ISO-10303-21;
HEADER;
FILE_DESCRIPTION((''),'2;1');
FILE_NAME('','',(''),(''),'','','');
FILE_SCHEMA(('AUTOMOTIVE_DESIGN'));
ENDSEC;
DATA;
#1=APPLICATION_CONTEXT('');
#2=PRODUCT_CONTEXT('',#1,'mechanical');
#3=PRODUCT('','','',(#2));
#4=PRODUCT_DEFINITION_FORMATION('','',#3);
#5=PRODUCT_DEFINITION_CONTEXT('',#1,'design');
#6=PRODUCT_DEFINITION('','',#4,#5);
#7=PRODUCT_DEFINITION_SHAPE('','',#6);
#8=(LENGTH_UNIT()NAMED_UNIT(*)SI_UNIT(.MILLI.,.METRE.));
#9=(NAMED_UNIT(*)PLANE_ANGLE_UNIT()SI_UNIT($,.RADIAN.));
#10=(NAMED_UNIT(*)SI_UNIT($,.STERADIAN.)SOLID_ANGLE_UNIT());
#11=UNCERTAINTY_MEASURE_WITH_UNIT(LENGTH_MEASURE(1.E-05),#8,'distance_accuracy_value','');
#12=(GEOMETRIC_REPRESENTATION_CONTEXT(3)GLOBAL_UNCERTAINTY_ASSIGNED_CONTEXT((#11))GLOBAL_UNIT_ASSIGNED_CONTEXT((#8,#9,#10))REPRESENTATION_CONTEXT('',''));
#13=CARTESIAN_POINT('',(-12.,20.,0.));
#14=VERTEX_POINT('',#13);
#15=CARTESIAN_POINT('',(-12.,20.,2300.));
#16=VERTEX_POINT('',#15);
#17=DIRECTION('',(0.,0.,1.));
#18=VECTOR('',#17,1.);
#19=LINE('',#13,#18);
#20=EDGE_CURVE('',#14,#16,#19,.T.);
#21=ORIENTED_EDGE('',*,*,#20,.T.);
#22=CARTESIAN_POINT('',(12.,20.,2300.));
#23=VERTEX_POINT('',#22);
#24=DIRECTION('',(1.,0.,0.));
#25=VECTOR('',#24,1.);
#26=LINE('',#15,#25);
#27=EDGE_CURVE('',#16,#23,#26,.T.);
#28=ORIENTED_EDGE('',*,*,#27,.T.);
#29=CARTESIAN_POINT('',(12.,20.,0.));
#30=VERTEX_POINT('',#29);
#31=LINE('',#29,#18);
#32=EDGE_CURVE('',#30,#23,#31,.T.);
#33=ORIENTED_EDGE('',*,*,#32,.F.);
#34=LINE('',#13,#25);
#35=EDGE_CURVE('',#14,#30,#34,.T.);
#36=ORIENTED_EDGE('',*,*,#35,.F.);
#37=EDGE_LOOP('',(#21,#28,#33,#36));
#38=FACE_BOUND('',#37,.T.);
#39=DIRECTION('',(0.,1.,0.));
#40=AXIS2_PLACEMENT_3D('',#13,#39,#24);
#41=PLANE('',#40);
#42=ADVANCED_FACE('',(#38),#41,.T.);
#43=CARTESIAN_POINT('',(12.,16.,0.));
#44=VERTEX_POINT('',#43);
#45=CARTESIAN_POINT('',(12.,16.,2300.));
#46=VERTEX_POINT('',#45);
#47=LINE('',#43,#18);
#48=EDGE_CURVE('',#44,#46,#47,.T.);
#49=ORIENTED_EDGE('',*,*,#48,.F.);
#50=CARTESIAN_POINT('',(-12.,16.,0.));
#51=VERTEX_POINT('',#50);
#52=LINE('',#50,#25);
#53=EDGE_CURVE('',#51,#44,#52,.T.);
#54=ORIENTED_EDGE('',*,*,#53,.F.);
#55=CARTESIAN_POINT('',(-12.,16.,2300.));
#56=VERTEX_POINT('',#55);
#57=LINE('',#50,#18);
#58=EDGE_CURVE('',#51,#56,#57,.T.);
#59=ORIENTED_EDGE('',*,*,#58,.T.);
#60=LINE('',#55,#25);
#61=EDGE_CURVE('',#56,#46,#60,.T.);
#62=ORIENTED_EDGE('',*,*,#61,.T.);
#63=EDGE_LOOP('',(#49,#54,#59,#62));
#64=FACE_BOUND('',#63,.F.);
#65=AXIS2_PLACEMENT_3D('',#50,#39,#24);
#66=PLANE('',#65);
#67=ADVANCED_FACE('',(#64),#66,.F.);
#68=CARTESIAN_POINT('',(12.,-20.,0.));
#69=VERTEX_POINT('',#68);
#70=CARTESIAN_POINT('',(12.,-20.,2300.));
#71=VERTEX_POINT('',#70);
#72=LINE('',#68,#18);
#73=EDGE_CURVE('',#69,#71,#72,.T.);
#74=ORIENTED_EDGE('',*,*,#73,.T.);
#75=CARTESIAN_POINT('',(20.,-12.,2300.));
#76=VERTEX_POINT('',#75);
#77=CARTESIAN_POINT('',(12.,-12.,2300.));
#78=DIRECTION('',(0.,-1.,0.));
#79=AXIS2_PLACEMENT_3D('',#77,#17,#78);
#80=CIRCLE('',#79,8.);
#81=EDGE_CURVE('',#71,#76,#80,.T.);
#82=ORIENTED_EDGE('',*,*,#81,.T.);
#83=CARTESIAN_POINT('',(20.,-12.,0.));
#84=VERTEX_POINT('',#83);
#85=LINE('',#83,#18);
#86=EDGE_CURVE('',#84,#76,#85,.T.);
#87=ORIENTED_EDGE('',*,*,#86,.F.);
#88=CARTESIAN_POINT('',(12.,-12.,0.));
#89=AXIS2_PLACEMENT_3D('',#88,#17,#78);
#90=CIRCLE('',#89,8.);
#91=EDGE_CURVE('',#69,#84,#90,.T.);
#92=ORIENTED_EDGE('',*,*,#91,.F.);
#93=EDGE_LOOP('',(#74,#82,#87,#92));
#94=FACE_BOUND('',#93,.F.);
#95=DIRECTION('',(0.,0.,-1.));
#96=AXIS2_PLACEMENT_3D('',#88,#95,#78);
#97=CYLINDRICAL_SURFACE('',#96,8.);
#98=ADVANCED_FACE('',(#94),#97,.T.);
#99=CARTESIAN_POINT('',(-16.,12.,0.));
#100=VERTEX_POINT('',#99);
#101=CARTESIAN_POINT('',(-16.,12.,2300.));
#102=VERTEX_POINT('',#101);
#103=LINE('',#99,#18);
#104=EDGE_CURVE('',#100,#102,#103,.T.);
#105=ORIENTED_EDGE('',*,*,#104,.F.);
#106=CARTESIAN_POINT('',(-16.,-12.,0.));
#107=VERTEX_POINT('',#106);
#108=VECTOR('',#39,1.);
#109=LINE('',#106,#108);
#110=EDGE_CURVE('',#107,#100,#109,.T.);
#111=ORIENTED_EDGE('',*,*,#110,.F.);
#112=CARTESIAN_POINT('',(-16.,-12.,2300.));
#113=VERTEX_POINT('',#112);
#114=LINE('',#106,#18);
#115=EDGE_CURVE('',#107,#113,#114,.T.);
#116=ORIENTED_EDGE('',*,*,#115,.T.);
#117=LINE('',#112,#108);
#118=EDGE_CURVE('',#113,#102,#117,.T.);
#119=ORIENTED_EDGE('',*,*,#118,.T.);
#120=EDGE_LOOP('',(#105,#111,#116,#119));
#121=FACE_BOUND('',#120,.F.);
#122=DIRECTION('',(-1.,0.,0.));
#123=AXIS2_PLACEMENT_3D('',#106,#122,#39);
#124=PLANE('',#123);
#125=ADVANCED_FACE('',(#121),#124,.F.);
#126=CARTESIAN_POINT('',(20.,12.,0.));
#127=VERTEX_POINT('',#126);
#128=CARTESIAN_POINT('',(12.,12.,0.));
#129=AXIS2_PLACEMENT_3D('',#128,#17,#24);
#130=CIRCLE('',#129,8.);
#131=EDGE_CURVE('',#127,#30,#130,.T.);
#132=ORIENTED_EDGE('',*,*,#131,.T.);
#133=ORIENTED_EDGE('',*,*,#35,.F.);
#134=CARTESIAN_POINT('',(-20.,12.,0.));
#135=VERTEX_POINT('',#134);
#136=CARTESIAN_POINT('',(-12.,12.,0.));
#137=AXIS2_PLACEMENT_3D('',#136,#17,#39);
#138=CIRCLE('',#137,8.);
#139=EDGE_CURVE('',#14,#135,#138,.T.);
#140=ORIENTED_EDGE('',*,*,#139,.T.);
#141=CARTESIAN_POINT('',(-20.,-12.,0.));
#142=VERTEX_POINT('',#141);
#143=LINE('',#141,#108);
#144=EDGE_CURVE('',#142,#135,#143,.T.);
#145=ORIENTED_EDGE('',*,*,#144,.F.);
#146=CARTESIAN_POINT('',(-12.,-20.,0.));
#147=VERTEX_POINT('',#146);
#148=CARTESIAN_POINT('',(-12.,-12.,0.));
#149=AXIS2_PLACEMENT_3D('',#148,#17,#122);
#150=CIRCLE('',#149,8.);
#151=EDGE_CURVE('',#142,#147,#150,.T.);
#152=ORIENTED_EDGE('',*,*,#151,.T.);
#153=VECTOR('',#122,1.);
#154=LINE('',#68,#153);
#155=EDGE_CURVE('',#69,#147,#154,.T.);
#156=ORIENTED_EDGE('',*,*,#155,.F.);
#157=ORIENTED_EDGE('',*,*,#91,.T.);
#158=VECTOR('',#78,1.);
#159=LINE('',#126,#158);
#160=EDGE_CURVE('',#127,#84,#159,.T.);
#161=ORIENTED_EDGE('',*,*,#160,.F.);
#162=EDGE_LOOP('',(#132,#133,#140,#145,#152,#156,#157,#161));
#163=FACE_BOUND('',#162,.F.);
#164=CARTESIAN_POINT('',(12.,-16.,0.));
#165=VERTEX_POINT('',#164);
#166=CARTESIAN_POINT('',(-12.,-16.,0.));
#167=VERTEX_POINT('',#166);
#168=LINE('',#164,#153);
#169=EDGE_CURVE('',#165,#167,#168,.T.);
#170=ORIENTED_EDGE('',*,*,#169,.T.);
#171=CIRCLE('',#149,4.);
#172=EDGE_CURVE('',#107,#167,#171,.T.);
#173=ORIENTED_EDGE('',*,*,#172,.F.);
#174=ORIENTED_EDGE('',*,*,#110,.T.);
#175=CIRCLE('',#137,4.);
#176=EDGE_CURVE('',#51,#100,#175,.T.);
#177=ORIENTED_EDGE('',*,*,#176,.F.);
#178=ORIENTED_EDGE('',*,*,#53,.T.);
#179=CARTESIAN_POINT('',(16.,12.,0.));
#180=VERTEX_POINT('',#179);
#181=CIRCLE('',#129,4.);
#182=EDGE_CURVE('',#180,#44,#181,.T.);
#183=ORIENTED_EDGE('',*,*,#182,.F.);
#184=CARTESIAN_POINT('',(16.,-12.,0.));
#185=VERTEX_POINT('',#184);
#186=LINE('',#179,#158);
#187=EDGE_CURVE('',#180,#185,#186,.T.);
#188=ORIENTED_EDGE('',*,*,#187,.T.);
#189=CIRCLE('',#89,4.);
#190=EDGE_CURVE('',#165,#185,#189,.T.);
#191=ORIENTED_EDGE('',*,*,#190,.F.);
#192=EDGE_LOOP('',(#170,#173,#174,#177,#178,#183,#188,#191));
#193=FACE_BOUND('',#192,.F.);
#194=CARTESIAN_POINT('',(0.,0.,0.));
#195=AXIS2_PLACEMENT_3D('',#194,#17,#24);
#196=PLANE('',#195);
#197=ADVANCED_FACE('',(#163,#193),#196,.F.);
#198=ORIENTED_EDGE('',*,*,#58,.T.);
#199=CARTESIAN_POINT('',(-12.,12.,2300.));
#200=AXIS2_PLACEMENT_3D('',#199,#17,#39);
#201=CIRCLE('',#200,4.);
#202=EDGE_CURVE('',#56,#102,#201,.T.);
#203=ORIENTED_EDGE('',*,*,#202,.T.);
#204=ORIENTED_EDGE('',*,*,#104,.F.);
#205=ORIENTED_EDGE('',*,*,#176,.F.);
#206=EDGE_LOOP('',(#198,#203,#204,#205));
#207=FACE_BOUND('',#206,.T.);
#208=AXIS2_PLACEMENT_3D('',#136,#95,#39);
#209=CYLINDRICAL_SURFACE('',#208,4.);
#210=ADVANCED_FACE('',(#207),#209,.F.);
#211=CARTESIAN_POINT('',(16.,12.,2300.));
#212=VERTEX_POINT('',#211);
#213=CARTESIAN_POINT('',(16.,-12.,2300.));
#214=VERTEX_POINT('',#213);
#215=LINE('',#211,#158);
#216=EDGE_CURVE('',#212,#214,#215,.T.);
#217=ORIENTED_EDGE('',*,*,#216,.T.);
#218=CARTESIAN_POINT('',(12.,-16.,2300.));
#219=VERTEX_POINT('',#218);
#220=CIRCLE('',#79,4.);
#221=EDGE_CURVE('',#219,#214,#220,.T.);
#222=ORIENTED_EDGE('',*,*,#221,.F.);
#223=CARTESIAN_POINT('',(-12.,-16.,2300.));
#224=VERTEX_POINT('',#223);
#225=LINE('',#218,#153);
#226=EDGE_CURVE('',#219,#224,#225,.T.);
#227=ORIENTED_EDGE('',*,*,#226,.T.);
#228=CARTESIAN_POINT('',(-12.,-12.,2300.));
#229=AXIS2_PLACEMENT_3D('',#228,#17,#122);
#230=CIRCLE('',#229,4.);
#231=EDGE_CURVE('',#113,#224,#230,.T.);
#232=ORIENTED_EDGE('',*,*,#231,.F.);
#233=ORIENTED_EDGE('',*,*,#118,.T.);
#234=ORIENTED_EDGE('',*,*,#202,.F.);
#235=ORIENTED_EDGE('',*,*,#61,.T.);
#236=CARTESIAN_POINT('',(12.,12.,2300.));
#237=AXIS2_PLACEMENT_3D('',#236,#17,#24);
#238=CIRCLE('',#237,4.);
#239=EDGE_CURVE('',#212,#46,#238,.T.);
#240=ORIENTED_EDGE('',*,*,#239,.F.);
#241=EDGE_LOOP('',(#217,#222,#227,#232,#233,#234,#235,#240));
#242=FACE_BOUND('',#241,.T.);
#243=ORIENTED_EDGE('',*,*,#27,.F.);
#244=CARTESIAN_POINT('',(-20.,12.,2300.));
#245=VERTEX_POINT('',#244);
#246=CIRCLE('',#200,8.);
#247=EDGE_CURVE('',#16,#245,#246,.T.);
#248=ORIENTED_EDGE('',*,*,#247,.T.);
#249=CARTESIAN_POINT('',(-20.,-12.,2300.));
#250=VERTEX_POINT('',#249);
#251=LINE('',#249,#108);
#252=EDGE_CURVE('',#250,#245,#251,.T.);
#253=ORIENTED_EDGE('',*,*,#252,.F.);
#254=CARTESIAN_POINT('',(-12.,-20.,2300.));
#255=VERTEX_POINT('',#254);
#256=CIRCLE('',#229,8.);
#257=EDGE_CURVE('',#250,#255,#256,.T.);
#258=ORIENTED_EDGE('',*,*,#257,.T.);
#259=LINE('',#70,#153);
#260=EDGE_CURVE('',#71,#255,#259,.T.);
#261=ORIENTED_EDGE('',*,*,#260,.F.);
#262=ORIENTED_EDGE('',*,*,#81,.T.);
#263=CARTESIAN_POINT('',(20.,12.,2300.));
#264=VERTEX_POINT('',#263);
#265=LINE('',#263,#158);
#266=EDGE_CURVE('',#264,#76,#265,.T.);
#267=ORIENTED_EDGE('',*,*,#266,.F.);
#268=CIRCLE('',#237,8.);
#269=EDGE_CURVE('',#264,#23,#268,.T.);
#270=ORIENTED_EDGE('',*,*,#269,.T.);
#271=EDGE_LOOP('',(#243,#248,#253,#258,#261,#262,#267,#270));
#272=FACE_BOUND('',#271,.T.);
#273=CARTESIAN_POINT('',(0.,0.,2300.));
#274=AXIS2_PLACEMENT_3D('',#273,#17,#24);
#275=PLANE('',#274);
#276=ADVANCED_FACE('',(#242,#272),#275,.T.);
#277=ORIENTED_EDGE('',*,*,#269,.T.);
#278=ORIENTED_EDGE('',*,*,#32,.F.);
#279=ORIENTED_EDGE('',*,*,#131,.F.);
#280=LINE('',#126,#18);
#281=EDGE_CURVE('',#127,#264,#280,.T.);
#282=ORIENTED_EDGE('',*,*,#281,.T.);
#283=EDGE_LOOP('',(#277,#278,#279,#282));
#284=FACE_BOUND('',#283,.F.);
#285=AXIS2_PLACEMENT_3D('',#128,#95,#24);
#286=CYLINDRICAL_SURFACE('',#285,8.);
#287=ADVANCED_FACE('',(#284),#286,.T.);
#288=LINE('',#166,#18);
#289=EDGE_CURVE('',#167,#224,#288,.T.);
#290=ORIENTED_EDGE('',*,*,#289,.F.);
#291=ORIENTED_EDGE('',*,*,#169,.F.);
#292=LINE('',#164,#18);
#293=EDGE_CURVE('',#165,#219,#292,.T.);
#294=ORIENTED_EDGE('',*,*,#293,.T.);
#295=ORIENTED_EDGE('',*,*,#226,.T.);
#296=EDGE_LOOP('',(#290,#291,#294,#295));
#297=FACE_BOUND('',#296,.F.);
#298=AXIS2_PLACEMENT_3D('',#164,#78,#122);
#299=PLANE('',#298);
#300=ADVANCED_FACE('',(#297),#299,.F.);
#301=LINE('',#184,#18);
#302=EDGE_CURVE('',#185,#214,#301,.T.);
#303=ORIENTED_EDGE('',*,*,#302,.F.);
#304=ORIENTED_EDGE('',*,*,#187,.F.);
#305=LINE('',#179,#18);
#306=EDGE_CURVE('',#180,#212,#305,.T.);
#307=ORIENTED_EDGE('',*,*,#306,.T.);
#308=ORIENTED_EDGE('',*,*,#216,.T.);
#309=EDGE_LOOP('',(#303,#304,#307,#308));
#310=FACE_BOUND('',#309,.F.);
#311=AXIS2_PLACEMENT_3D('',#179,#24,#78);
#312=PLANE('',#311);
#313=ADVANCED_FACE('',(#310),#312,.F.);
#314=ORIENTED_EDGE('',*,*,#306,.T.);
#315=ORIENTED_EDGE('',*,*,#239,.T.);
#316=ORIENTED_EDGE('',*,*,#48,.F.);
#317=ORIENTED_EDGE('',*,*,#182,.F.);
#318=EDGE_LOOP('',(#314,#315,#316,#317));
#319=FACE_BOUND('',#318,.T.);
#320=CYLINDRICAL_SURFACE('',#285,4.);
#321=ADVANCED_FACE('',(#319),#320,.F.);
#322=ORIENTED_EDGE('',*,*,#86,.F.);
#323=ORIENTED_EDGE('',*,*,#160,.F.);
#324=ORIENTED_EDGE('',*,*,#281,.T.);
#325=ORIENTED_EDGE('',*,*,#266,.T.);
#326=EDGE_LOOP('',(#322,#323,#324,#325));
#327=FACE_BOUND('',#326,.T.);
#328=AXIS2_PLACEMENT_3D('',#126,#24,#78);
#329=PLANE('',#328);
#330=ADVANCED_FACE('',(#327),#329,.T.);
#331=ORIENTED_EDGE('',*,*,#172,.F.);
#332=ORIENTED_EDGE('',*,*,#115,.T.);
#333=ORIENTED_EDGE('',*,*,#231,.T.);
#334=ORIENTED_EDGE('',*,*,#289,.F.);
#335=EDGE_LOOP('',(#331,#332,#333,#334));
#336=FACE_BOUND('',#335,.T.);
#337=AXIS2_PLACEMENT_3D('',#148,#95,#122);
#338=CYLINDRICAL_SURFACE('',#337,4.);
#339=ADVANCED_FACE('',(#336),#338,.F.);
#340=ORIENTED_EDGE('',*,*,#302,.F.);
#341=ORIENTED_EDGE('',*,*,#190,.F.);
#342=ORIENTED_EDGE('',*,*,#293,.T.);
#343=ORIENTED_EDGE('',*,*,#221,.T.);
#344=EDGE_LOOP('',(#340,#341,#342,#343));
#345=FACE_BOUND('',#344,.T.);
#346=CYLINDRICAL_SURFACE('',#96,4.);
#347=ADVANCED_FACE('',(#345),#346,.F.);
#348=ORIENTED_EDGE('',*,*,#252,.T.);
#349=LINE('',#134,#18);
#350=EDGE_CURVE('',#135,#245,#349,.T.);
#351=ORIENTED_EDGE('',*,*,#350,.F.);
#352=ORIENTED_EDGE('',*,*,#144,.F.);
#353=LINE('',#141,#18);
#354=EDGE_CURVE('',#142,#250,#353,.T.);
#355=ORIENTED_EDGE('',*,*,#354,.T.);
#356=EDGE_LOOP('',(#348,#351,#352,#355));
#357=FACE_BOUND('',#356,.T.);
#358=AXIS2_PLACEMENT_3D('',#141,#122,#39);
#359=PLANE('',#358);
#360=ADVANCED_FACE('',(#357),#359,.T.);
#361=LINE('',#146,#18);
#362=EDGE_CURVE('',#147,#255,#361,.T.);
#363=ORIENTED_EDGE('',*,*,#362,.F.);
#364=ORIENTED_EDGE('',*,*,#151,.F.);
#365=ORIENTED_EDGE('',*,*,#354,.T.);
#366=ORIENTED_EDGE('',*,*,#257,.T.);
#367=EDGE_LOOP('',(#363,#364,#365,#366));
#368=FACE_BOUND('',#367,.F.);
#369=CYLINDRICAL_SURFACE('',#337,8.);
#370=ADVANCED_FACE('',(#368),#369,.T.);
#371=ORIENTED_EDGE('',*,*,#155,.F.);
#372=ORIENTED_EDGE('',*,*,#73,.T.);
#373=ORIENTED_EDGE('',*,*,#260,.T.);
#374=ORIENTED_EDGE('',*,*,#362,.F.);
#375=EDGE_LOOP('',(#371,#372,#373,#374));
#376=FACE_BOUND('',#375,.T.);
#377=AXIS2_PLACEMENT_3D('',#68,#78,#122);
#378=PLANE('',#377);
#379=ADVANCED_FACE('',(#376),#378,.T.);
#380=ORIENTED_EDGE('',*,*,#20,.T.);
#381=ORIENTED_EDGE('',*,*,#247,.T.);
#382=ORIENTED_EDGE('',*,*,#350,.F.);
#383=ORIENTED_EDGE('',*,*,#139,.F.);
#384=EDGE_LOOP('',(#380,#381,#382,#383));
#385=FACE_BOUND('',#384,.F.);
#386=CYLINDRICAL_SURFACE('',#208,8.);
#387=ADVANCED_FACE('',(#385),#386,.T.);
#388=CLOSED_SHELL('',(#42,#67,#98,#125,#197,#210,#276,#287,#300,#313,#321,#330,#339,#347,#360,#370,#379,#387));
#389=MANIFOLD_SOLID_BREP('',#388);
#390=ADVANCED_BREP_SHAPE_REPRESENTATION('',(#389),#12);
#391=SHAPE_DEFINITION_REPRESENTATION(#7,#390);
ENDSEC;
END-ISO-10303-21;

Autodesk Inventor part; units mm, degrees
ref_plane "YZ Plane" through (0, 0, 0) normal (1, 0, 0) x (0, 1, 0)
ref_plane "Start Plane" through (0, 0, 0) normal (0, 0, 1) x (1, 0, 0)
ref_plane "End Plane" through (0, 0, 2300) normal (0, 0, 1) x (1, 0, 0)
sketch "Sketch" plane through (0, 0, 0) normal (0, 0, 1) x (1, 0, 0)
  line L0 (-20, -12) -> (-20, 12)
  line L1 (-12, 20) -> (12, 20)
  line L2 (20, 12) -> (20, -12)
  line L3 (12, -20) -> (-12, -20)
  arc A0 (-20, -12) -> (-12, -20) centre (-12, -12) ccw
  arc A1 (20, 12) -> (12, 20) centre (12, 12) ccw
  arc A2 (-12, 20) -> (-20, 12) centre (-12, 12) ccw
  arc A3 (12, -20) -> (20, -12) centre (12, -12) ccw
  arc A4 (-12, 16) -> (-16, 12) centre (-12, 12) ccw
  line L4 (-12, 16) -> (12, 16)
  arc A5 (16, 12) -> (12, 16) centre (12, 12) ccw
  line L5 (16, 12) -> (16, -12)
  arc A6 (12, -16) -> (16, -12) centre (12, -12) ccw
  line L6 (12, -16) -> (-12, -16)
  arc A7 (-16, -12) -> (-12, -16) centre (-12, -12) ccw
  line L7 (-16, -12) -> (-16, 12)
  line L8 (0, 30.3196) -> (0, -30.3196) construction
  line L9 (-30.3196, 0) -> (30.3196, 0) construction
  dimension "d7" = 8
  dimension "d9" = 40
  dimension "d11" = 40
  dimension "d12" = 4
  dimension "d15" = 20
  dimension "d16" = 20
extrude "Body" add sketch "Sketch" along normal up to surface (2300 mm away) from surface at 0
sketch "Sketch3" plane through (0, 0, 0) normal (0, 0, 1) x (1, 0, 0)
  line L0 (0, 0) -> (10, 0)
ref_plane "Work Plane3" through (0, 0, 0) normal (0, -1, 0) x (1, 0, 0)
sketch "Sketch4" plane through (0, 0, 0) normal (0, -1, 0) x (1, 0, 0)
  line L0 (-2, 0) -> (12, 0)
  line L1 (-2, 2300) -> (12, 2300)
  dimension "d18" = 2300
equation "\"d7\" = G_IR"
equation "\"d9\" = G_W"
equation "\"d11\" = G_H"
equation "\"d12\" = G_T"
equation "\"d15\" = 0.5 * d9"
equation "\"d16\" = 0.5 * d11"
equation "\"d3\" = G_L"
equation "\"G_W\" = 40"
equation "\"G_H\" = 40"
equation "\"G_T\" = 4"
equation "\"G_IR\" = 8"
equation "\"G_L\" = d18"
equation "\"G_OFFSET_START\" = 0"
equation "\"G_OFFSET_END\" = 0"
properties part number "ISO 10799-2 40x40x4 1744350251503" material "Steel, Mild"
